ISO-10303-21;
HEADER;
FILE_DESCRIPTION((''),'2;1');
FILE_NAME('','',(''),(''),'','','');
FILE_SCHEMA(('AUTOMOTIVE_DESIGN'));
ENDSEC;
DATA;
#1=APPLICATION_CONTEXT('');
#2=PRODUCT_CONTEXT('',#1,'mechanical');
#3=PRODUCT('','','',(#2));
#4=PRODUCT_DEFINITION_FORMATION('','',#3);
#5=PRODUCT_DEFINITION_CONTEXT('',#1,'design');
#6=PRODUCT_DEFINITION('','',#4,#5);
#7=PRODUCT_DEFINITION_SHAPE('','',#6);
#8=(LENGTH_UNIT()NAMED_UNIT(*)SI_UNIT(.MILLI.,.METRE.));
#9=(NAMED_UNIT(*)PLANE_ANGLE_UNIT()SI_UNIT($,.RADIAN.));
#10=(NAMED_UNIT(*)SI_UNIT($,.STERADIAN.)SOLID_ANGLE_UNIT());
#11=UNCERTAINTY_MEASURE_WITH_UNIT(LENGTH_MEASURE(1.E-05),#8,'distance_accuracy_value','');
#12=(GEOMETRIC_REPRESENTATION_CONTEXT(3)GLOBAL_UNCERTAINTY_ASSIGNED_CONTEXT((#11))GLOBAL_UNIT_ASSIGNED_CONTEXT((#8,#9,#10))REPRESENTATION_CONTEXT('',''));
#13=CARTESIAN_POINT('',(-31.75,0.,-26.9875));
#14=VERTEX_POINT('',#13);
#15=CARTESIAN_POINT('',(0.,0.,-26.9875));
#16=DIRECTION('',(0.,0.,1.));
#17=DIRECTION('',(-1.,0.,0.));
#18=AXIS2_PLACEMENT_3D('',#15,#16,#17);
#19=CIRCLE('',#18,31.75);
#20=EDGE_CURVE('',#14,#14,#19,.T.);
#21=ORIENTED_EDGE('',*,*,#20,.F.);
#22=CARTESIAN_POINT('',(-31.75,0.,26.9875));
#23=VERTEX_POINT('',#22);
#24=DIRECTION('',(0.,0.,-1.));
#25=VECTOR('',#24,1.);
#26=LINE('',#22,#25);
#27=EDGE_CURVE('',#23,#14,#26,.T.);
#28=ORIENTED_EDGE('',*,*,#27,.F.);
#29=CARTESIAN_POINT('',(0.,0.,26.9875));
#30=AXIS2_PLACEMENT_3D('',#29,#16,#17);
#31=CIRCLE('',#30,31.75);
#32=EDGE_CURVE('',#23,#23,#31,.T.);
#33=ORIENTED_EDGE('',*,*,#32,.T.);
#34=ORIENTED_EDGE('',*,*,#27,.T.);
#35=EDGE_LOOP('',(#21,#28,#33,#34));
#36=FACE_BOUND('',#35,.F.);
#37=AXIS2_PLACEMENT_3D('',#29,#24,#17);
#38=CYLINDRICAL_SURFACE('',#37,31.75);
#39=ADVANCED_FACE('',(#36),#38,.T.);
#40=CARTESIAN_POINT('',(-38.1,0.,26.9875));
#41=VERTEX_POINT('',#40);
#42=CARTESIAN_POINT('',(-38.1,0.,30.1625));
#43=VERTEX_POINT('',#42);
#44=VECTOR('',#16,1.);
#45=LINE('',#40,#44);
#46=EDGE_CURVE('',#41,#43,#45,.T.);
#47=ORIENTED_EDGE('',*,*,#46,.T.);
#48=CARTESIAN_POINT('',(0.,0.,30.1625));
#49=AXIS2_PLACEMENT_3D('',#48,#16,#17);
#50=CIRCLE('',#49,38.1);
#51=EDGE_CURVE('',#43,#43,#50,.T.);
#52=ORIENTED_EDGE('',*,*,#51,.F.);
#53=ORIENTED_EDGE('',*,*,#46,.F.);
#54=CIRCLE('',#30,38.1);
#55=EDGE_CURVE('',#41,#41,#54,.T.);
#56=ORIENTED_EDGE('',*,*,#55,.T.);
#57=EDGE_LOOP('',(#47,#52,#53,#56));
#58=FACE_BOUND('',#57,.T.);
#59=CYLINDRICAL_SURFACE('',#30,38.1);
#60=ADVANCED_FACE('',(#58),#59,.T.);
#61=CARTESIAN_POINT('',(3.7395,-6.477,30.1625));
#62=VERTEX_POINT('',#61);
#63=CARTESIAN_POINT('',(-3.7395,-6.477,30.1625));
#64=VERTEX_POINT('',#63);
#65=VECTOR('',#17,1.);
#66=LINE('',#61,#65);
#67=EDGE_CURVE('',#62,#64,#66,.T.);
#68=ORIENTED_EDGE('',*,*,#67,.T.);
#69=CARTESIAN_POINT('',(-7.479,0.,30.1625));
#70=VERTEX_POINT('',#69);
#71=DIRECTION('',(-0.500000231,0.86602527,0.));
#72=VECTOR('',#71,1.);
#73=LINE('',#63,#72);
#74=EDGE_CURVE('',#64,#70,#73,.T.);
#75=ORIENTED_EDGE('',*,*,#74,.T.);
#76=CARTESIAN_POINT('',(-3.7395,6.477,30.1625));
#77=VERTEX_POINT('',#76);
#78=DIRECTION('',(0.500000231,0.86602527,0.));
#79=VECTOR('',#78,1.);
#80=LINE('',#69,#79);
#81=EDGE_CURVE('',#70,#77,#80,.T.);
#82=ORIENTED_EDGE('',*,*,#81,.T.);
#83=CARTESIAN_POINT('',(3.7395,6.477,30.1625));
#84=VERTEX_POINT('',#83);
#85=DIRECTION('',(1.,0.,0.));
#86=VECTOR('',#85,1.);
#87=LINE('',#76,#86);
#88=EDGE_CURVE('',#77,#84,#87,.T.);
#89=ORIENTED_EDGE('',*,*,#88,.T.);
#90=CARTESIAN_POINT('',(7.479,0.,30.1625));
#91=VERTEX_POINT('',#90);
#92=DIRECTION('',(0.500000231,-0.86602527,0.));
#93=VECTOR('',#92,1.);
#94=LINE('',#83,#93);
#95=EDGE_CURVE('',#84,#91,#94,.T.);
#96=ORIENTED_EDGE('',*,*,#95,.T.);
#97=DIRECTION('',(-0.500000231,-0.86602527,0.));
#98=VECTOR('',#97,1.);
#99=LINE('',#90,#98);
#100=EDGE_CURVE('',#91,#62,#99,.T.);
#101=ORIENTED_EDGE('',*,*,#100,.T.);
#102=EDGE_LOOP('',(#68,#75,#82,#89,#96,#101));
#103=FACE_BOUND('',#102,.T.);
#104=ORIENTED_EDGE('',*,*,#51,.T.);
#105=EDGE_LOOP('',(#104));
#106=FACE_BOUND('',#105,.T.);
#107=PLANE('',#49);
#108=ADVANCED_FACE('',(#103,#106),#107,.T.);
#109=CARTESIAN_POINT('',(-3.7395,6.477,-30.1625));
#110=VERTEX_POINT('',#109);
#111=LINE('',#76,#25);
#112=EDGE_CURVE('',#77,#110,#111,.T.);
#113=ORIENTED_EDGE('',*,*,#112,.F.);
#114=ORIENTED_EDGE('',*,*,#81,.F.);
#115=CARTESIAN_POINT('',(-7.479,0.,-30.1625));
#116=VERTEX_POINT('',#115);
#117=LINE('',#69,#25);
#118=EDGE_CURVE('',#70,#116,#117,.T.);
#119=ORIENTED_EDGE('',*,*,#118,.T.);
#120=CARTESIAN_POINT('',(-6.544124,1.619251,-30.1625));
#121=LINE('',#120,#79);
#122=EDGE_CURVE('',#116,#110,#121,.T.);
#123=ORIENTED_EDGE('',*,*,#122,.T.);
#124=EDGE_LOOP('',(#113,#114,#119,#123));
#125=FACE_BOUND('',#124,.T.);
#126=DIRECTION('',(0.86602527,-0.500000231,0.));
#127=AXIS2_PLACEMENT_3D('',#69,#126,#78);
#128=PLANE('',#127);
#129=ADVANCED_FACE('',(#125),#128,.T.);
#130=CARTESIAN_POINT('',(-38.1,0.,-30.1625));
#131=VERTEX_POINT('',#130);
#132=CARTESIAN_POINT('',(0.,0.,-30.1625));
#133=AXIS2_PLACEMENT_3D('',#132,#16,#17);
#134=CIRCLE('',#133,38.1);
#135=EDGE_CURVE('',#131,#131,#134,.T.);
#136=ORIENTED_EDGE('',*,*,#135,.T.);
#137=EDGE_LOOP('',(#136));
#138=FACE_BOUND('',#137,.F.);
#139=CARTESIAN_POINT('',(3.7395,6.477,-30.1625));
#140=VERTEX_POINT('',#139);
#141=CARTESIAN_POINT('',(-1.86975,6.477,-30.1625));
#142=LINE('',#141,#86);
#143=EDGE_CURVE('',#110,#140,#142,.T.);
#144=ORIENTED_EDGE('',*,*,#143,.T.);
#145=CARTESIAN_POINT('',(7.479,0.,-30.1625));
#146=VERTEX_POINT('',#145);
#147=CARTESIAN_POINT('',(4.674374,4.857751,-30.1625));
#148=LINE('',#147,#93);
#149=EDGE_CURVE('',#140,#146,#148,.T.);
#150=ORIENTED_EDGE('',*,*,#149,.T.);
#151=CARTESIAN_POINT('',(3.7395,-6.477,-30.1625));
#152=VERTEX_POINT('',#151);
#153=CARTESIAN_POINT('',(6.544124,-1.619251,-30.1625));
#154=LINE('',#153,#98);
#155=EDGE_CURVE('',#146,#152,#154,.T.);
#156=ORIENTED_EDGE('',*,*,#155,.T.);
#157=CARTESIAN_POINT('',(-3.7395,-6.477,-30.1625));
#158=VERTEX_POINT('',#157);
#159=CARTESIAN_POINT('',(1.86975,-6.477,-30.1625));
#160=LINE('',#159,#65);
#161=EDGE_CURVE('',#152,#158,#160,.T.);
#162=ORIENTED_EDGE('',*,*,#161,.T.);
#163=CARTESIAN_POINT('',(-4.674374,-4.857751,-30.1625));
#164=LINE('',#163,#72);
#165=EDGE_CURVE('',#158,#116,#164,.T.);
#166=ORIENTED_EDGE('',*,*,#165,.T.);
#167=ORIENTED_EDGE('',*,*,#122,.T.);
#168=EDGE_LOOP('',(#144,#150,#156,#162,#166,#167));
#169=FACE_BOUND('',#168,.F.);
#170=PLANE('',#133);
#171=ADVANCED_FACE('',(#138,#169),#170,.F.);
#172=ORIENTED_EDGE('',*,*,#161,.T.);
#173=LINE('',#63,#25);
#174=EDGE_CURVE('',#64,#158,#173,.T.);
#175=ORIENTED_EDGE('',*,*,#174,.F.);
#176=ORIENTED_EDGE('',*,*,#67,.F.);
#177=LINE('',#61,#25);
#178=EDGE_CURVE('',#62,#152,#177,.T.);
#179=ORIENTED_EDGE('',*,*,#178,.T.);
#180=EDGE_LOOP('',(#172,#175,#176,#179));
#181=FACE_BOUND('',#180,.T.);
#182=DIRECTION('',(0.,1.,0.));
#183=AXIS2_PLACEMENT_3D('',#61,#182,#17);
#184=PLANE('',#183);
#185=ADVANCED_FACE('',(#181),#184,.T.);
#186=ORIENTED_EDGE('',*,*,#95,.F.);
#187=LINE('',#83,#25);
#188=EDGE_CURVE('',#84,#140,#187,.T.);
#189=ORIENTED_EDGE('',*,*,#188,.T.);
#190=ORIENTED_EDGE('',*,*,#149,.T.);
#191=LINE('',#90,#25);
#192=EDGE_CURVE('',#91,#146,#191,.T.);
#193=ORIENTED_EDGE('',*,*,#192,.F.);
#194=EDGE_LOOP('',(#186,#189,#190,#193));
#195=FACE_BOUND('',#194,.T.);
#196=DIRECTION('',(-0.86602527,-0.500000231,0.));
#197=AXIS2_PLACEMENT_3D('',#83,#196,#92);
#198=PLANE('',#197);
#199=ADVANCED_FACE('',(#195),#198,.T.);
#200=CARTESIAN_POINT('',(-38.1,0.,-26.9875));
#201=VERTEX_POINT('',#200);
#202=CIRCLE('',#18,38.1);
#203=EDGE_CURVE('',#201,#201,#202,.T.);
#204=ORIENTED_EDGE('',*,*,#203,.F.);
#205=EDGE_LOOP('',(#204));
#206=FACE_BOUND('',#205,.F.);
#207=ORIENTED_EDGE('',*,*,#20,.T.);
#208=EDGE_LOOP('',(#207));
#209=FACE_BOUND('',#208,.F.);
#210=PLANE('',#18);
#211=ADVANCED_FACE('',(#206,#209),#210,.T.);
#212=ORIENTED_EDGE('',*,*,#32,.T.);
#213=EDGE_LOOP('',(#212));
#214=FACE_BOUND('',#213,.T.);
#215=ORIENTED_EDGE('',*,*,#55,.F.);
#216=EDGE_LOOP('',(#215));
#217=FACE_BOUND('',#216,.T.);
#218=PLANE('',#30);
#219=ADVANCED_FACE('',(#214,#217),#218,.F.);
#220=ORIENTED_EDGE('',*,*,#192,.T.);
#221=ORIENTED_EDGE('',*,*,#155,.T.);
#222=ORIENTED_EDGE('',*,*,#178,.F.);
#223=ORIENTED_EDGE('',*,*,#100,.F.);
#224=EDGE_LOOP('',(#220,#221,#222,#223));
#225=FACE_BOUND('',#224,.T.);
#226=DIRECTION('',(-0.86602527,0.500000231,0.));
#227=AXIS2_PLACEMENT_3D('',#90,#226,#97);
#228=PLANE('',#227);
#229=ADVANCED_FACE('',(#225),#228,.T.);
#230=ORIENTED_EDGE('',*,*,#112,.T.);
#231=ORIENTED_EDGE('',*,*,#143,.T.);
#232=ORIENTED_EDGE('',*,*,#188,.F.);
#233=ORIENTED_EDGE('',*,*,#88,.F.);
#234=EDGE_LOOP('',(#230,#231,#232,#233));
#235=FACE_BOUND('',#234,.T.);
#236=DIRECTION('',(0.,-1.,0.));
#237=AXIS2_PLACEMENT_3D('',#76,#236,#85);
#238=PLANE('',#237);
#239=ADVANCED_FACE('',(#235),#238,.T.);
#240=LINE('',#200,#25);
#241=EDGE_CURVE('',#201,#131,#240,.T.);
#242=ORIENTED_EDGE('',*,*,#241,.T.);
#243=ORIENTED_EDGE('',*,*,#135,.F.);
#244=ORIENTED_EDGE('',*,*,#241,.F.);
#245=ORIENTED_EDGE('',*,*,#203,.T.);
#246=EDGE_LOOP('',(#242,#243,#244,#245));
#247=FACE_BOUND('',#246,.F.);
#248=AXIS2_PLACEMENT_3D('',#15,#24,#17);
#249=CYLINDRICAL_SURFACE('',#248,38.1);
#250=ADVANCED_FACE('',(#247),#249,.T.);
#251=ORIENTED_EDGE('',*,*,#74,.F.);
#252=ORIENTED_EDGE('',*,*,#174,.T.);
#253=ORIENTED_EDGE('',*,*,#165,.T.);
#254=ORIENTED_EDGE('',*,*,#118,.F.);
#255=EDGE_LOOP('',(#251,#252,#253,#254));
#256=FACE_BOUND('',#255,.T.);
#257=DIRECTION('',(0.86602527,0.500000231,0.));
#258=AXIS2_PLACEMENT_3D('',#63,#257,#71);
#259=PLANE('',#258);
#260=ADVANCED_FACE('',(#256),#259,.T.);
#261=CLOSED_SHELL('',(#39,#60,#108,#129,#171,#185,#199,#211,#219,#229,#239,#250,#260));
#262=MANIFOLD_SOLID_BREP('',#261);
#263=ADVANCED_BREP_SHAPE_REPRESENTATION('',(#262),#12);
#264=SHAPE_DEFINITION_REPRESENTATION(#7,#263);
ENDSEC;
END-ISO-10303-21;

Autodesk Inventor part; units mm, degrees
ref_plane "YZ Plane" through (0, 0, 0) normal (1, 0, 0) x (0, 1, 0)
ref_plane "XZ Plane" through (0, 0, 0) normal (0, 1, 0) x (-1, 0, 0)
ref_plane "XY Plane" through (0, 0, 0) normal (0, 0, 1) x (1, 0, 0)
sketch "Sketch1" plane through (0, 0, 0) normal (0, 1, 0) x (-1, 0, 0)
  line L0 (31.75, -26.9875) -> (0, -26.9875)
  line L1 (0, -26.9875) -> (0, 26.9875)
  line L2 (0, 26.9875) -> (31.75, 26.9875)
  line L3 (31.75, 26.9875) -> (31.75, -26.9875)
  line L4 (0, -26.9875) -> (38.1, -26.9875)
  line L5 (38.1, -26.9875) -> (38.1, -30.1625)
  line L6 (38.1, -30.1625) -> (0, -30.1625)
  line L7 (0, -30.1625) -> (0, -26.9875)
  line L8 (0, 26.9875) -> (38.1, 26.9875)
  line L9 (38.1, 26.9875) -> (38.1, 30.1625)
  line L10 (38.1, 30.1625) -> (0, 30.1625)
  line L11 (0, 30.1625) -> (0, 26.9875)
  line L12 (0, 0) -> (51.6774, 0) construction
  point P0 (31.75, -26.9875)
  point P1 (31.75, 26.9875)
  dimension "d0" = 53.975
  dimension "d1" = 6.35
  dimension "d2" = 60.325
  dimension "d4" = 31.75
revolve "Revolution1" add sketch "Sketch1" angle 360 about axis through (0, 0, -26.9875) along (0, 0, 1)
sketch "Sketch2" plane through (0, 0, 30.1625) normal (0, 0, 1) x (1, 0, 0)
  line L0 (7.479, 0) -> (3.7395, -6.477)
  line L1 (3.7395, -6.477) -> (-3.7395, -6.477)
  line L2 (-3.7395, -6.477) -> (-7.479, 0)
  line L3 (-7.479, 0) -> (-3.7395, 6.477)
  line L4 (-3.7395, 6.477) -> (3.7395, 6.477)
  line L5 (3.7395, 6.477) -> (7.479, 0)
  point P0 (0, 0)
  point P1 (0, 0)
  point P2 (0, 6.477)
  dimension "d6" = 12.954
extrude "Extrusion1" cut sketch "Sketch2" against normal through all
equation "\"d4\" = d9"
equation "\"d9\" = 31.75"
properties part number "Polybelt Wheels" material "ABS Plastic"
